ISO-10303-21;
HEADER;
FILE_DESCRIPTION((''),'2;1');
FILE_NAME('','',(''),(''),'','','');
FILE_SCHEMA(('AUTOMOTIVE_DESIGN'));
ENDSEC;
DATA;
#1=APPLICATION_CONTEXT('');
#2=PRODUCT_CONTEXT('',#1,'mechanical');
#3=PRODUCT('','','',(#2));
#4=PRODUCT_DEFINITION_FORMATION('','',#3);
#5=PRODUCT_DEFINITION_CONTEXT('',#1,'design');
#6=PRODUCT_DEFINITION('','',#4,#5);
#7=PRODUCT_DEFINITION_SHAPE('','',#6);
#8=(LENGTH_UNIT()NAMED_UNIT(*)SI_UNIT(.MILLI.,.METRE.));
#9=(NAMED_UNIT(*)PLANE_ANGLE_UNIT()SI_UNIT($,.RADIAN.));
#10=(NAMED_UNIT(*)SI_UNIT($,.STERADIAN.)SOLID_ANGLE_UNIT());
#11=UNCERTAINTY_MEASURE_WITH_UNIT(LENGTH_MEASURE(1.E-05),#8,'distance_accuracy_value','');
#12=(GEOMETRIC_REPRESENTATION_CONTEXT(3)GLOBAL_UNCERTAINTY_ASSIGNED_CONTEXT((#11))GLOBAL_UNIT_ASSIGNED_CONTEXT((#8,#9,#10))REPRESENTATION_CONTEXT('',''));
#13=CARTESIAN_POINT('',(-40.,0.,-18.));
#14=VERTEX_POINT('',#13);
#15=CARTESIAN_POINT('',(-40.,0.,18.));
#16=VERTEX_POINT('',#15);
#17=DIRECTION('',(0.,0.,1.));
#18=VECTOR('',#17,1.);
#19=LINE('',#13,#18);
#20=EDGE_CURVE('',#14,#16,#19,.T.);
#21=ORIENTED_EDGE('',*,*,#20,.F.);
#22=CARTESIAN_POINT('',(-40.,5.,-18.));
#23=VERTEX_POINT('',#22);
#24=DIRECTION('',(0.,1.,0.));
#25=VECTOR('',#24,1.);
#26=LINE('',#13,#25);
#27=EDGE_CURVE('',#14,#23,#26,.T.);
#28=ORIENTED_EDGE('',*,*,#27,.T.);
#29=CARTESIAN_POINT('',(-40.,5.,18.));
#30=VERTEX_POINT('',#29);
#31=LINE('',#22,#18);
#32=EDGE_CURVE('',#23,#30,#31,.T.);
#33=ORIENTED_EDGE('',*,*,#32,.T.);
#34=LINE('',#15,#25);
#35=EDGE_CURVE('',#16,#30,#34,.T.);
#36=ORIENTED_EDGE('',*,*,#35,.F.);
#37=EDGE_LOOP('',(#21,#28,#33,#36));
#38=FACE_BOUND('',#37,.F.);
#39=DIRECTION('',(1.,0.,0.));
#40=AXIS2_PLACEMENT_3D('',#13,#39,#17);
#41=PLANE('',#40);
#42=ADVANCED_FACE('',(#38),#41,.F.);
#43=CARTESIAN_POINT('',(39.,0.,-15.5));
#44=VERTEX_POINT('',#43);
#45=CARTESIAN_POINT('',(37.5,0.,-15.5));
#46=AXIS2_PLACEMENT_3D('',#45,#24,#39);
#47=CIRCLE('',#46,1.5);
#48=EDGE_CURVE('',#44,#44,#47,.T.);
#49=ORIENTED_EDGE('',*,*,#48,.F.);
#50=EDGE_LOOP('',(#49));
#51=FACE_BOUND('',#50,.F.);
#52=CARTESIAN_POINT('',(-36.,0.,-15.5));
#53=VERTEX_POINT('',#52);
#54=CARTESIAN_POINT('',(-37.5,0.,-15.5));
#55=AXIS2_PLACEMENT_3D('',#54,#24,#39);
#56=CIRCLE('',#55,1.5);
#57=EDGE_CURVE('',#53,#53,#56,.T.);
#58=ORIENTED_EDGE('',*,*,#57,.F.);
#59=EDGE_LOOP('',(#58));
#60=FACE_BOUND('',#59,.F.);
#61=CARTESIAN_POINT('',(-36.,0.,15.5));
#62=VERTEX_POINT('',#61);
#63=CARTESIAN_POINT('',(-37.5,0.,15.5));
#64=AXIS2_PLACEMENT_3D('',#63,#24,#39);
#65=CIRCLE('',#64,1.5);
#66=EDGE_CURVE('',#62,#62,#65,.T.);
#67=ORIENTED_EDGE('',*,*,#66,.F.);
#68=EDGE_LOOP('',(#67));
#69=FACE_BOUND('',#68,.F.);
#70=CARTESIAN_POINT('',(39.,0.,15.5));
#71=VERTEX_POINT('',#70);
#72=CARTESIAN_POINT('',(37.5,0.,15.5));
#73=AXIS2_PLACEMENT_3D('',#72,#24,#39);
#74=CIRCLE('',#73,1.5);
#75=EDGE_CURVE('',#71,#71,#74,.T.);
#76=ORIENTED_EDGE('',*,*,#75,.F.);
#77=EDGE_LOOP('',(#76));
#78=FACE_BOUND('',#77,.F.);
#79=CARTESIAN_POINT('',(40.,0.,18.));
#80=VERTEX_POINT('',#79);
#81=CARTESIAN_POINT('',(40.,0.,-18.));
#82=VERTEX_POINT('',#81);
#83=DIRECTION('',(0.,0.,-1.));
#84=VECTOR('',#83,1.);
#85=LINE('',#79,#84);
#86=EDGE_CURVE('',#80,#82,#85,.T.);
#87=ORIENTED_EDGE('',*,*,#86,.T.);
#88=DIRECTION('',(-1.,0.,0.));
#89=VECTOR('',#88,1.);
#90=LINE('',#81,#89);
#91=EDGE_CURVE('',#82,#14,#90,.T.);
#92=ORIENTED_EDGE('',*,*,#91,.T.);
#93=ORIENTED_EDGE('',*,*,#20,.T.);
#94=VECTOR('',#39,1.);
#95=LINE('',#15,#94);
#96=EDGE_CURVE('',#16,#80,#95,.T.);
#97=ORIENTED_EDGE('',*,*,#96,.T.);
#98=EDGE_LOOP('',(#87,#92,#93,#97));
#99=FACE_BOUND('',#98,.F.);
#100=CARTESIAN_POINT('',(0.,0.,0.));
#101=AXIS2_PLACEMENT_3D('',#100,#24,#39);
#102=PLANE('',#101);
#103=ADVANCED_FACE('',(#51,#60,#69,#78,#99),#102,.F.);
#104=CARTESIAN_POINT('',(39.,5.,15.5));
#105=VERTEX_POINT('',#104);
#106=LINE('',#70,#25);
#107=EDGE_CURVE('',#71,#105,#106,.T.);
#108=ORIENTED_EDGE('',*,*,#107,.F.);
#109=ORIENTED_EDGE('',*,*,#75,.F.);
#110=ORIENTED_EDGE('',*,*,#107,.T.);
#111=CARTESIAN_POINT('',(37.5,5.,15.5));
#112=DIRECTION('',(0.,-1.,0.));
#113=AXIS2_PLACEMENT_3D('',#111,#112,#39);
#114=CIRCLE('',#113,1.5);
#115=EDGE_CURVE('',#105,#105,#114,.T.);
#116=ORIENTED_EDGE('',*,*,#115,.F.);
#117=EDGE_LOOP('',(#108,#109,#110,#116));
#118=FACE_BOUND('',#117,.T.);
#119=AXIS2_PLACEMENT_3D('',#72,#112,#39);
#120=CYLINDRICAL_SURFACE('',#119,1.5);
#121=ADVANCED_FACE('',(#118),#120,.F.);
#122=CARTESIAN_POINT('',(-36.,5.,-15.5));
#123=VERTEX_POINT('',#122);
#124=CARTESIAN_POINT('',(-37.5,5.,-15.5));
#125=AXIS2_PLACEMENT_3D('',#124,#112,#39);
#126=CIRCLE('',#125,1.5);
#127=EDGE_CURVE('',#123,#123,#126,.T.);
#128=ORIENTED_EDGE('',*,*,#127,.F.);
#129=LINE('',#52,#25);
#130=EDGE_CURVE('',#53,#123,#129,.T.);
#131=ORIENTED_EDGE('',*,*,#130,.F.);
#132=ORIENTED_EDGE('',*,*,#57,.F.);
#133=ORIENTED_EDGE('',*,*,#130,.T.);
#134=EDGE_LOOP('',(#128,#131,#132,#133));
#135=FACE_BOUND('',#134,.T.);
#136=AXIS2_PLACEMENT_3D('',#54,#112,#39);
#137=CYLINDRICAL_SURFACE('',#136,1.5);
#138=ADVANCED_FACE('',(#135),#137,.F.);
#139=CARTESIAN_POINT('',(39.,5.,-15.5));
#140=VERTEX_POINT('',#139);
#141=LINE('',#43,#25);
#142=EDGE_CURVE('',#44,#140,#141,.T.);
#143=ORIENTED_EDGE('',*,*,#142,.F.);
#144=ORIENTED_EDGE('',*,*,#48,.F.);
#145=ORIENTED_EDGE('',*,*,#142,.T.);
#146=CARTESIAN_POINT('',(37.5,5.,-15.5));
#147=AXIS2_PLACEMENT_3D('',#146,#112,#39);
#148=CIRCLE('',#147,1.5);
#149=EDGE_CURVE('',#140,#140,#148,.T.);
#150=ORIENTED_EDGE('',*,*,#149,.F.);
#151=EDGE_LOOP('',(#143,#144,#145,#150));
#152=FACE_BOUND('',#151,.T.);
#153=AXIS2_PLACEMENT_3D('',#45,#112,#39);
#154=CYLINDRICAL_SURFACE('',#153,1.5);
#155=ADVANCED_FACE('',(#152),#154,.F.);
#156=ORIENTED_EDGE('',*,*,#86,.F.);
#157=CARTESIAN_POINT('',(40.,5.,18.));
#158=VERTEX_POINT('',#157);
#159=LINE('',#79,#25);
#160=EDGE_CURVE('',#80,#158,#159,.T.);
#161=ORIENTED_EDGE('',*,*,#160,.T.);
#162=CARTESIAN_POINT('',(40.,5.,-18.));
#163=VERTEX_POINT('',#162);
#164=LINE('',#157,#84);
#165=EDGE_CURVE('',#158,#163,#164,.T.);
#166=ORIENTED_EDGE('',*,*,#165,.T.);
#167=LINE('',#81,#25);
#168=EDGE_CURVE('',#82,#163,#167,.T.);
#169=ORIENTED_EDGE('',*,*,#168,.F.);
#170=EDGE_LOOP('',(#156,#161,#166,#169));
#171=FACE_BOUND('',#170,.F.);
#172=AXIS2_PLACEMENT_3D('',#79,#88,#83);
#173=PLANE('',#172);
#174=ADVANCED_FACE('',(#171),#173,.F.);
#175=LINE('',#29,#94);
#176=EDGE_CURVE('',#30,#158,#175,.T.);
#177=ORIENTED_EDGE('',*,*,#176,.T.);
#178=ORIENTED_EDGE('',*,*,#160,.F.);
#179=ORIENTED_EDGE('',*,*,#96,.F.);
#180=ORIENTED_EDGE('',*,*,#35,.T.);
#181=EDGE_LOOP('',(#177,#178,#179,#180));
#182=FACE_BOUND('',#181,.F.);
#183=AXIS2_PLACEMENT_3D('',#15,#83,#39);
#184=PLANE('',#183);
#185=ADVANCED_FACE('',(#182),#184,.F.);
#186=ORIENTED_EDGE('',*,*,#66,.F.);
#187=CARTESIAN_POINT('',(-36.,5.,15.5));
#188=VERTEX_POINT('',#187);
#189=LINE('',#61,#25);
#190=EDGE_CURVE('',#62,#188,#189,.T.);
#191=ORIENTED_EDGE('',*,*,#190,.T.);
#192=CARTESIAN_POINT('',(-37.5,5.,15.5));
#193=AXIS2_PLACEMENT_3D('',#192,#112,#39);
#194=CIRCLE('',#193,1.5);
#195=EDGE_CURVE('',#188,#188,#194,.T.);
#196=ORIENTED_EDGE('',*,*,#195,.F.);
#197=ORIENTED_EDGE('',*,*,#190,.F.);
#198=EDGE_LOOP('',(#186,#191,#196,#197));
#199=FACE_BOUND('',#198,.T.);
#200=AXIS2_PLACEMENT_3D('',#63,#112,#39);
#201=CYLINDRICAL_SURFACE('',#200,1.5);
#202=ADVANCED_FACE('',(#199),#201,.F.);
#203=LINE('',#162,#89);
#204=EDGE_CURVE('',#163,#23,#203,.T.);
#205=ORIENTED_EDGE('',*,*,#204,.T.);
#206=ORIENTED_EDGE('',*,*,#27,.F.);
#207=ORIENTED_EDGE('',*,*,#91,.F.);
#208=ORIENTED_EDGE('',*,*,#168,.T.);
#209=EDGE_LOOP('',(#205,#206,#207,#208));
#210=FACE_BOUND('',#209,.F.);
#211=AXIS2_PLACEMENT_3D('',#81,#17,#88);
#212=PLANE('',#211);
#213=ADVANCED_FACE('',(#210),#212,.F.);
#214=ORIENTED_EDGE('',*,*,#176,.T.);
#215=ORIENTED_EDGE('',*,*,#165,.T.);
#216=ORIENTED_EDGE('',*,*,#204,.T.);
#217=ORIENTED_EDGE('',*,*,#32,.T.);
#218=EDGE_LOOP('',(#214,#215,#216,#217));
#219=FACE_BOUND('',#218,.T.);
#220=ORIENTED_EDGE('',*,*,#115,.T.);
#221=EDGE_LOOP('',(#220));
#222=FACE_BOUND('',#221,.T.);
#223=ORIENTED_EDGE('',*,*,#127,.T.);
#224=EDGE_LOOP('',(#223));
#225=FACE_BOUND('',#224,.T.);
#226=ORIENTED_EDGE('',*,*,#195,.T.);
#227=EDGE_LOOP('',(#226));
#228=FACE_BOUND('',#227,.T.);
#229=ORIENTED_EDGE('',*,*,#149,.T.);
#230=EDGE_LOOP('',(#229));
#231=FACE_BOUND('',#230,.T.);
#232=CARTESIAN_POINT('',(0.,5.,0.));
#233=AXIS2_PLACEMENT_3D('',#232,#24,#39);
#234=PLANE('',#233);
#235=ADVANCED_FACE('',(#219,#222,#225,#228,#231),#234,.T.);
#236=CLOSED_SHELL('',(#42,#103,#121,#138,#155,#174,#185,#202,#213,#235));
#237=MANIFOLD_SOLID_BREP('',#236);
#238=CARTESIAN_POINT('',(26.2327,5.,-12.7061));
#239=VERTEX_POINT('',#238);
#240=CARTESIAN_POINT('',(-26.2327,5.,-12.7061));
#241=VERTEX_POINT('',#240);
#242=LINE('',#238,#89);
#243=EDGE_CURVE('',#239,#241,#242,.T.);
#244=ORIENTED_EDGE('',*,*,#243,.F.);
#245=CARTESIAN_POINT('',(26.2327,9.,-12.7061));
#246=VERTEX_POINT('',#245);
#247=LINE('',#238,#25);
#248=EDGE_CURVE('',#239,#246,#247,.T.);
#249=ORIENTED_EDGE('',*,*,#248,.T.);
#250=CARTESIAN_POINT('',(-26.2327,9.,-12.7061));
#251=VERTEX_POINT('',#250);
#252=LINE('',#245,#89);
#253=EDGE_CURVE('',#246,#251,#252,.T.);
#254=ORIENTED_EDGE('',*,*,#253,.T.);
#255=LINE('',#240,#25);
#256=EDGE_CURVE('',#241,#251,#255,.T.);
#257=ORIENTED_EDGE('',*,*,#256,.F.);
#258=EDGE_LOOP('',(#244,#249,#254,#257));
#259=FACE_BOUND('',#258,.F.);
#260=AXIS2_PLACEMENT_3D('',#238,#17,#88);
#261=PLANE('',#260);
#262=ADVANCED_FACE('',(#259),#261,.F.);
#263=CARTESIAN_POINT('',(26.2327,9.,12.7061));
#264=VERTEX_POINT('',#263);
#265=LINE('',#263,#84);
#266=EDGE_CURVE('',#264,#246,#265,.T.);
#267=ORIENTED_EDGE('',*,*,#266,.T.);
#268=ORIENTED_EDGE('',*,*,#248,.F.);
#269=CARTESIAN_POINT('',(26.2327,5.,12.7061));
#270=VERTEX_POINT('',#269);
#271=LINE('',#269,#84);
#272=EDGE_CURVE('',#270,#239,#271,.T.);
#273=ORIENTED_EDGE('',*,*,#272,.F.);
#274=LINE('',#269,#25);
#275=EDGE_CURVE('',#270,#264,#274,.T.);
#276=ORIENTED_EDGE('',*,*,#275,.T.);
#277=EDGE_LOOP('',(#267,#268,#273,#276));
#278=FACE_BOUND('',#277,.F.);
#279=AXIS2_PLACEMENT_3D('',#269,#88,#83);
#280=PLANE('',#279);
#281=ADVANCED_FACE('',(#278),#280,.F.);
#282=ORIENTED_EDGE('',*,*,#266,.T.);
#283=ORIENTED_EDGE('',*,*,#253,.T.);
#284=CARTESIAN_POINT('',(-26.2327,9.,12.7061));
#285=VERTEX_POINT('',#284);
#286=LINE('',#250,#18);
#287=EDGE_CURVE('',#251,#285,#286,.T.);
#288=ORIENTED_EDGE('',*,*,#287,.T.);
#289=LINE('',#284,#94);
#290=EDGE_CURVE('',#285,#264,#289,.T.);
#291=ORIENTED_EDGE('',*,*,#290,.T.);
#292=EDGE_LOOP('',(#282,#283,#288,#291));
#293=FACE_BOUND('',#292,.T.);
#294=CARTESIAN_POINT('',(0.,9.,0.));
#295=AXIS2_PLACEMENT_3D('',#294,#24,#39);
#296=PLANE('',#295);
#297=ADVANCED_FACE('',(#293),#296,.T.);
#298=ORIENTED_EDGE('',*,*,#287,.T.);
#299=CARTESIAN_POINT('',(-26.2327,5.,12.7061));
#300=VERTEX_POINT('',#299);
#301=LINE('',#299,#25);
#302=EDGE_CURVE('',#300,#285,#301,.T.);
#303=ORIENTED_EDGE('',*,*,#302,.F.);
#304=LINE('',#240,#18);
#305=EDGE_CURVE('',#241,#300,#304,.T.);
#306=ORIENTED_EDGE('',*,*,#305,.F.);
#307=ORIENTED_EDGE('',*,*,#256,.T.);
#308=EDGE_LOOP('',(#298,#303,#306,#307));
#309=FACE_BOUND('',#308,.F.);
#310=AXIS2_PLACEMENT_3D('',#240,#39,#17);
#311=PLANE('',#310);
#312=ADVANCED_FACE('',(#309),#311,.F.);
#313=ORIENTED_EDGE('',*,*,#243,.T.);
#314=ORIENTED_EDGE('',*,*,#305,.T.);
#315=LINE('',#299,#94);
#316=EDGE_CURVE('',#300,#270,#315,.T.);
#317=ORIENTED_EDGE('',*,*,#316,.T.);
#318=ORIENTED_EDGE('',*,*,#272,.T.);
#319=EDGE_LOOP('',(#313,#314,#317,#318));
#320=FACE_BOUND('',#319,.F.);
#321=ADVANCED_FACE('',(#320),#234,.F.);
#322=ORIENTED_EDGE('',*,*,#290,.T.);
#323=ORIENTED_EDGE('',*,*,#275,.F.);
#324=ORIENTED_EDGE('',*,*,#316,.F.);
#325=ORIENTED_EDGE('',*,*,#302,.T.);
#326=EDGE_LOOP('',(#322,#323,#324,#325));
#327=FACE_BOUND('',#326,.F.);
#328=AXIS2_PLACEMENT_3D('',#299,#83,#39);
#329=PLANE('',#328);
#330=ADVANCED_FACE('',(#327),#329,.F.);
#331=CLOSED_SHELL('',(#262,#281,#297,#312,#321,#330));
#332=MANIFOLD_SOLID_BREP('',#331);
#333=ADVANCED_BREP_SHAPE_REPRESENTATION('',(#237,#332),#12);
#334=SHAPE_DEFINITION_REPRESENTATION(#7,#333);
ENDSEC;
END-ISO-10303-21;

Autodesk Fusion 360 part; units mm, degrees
sketch "Boceto2" plane through (0, 0, 0) normal (0, 1, 0) x (1, 0, 0)
  line L0 (40, 18) -> (-40, 18)
  line L1 (-40, 18) -> (-40, -18)
  line L2 (-40, -18) -> (40, -18)
  line L3 (40, -18) -> (40, 18)
  line L4 (40, 18) -> (-40, -18) construction
  line L5 (-40, 18) -> (40, -18) construction
  line L6 (37.5, 15.5) -> (-37.5, 15.5)
  line L7 (-37.5, 15.5) -> (-37.5, -15.5)
  line L8 (-37.5, -15.5) -> (37.5, -15.5)
  line L9 (37.5, -15.5) -> (37.5, 15.5)
  line L10 (37.5, 15.5) -> (-37.5, -15.5) construction
  line L11 (-37.5, 15.5) -> (37.5, -15.5) construction
  circle A0 centre (37.5, -15.5) radius 1.5
  circle A1 centre (-37.5, 15.5) radius 1.5
  circle A2 centre (-37.5, -15.5) radius 1.5
  circle A3 centre (37.5, 15.5) radius 1.5
  line L12 (26.2327, 12.7061) -> (-26.2327, 12.7061)
  line L13 (-26.2327, 12.7061) -> (-26.2327, -12.7061)
  line L14 (-26.2327, -12.7061) -> (26.2327, -12.7061)
  line L15 (26.2327, -12.7061) -> (26.2327, 12.7061)
  line L16 (26.2327, 12.7061) -> (-26.2327, -12.7061) construction
  line L17 (-26.2327, 12.7061) -> (26.2327, -12.7061) construction
  dimension "d5" = 75
  dimension "d6" = 31
  dimension "d7" = 80
  dimension "d8" = 36
  dimension "d9" = 3
extrude "Extruir1" add sketch "Boceto2" along normal blind 5 contours L0 L1 L2 L3 | L6 L7 L8 L9 A0 A1 A2 A3 | L12 L13 L14 L15 makes body 1
extrude "Extruir2" add sketch "Boceto2" along normal blind 4 from surface at 5 separate body contours L12 L13 L14 L15 makes body 2
